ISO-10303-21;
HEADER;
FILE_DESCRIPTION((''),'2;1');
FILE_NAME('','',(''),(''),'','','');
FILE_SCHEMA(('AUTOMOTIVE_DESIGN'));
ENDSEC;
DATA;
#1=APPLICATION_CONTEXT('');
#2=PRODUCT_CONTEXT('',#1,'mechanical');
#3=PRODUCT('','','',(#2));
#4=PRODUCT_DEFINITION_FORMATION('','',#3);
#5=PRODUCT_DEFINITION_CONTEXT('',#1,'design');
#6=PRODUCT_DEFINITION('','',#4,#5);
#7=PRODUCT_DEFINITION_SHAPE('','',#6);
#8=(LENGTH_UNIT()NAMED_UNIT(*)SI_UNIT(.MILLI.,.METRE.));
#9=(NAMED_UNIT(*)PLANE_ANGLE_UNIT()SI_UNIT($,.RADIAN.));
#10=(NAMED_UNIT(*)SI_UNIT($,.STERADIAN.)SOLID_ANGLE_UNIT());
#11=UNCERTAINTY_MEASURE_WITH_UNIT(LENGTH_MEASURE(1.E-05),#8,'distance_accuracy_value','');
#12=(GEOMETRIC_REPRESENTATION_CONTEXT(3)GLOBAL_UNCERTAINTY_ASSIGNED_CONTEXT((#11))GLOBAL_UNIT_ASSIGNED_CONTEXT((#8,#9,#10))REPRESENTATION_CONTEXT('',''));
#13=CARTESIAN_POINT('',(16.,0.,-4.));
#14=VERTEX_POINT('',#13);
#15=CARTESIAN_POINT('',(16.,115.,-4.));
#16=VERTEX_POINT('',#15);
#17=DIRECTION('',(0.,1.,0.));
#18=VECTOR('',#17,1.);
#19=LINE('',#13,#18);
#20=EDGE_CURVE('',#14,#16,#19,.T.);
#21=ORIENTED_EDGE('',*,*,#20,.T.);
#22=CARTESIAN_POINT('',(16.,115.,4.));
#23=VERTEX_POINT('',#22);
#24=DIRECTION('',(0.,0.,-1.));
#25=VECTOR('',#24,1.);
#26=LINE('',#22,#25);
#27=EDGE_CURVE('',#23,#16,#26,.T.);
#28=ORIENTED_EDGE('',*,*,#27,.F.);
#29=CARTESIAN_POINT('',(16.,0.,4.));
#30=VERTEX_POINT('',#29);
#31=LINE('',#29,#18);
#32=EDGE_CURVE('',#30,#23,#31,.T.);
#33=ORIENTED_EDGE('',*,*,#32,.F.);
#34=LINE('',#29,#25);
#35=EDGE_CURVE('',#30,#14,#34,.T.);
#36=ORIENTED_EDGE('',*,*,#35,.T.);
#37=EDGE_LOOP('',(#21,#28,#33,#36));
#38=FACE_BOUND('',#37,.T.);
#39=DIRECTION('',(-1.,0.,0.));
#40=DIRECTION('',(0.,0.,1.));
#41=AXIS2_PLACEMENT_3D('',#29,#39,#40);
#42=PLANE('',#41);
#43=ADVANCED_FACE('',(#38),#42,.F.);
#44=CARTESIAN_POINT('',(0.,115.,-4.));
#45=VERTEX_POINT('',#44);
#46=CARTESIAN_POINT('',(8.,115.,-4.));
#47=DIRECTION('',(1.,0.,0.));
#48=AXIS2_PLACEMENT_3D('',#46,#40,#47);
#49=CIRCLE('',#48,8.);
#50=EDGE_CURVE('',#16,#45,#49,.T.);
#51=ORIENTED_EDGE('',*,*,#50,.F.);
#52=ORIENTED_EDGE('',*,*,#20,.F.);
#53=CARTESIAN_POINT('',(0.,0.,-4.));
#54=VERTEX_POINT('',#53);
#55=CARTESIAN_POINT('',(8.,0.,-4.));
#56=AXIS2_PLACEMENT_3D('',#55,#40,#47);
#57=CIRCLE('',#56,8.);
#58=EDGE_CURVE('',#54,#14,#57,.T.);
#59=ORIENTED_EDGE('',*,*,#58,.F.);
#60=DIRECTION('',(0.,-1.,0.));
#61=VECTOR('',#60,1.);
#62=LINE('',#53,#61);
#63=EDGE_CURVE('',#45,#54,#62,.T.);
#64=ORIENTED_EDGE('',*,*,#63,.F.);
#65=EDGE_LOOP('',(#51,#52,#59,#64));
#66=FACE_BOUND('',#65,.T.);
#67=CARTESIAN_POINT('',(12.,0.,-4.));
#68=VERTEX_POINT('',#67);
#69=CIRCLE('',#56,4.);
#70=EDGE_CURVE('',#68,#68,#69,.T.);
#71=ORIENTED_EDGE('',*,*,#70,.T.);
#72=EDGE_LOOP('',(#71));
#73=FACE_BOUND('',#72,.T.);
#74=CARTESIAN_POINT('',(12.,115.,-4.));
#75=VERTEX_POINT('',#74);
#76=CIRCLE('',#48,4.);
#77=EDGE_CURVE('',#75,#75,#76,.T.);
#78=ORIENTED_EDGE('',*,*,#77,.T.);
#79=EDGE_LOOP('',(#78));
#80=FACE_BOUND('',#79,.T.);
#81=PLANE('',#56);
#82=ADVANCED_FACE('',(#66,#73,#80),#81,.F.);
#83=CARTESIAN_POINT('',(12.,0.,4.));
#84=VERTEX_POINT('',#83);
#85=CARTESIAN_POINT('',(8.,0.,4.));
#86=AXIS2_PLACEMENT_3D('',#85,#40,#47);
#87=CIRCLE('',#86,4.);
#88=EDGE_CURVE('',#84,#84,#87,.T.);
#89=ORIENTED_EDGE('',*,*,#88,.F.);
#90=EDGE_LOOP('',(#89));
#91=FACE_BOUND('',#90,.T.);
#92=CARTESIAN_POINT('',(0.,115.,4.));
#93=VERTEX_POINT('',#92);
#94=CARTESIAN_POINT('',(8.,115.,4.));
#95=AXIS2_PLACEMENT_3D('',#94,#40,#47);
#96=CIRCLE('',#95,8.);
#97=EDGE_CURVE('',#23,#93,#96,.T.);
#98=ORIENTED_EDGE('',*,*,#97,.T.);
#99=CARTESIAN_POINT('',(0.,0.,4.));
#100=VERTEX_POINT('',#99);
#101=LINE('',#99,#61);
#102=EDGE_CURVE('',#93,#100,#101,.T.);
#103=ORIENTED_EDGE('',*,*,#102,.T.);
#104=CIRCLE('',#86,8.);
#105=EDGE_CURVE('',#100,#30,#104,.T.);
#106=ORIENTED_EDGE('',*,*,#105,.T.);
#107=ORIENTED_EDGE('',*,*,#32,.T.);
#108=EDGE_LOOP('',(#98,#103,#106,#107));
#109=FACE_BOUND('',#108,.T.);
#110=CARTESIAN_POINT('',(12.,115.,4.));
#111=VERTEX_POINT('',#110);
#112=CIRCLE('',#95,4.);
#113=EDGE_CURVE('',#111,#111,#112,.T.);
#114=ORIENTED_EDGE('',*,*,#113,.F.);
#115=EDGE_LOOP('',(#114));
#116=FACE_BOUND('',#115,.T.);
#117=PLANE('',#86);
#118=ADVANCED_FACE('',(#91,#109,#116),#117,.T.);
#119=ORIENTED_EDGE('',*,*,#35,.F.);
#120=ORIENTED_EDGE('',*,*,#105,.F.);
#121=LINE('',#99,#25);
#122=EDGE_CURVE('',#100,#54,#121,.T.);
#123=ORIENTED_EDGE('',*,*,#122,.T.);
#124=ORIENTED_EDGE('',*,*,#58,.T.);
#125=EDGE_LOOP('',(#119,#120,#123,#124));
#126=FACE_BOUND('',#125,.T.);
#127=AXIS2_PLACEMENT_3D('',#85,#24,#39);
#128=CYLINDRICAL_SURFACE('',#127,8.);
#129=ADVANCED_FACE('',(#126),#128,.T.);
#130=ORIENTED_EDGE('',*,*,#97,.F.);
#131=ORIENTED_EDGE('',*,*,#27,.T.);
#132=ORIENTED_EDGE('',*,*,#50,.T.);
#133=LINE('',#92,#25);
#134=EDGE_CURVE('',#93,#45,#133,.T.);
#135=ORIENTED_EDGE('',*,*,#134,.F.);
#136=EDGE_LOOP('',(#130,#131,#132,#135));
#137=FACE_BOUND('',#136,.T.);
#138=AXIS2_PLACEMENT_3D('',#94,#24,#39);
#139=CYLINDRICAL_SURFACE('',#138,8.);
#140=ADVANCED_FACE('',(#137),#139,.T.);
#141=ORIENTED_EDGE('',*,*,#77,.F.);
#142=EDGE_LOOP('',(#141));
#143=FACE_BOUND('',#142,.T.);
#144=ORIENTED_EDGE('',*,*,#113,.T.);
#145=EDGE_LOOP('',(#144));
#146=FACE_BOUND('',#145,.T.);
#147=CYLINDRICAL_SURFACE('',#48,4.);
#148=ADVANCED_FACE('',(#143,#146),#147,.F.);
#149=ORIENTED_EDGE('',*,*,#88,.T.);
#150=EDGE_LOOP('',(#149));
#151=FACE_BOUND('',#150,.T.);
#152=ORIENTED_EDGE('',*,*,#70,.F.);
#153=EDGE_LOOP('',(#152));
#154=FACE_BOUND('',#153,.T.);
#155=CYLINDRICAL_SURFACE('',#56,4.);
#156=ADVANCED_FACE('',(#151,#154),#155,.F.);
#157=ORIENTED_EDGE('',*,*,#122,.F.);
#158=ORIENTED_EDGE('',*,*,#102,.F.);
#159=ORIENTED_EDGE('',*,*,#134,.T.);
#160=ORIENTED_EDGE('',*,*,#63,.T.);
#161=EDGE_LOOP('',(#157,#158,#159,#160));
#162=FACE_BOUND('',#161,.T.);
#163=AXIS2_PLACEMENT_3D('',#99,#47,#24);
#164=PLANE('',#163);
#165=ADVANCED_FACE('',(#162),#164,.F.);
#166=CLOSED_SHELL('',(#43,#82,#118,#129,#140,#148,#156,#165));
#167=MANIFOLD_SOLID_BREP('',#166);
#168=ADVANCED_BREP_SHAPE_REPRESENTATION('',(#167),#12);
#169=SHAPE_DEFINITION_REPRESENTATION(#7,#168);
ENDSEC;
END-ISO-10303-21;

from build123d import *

# Parameters (mm, degrees)
BOSS_EXTRUDE1_DEPTH = 4
SKETCH2_R           = 4
CUT_EXTRUDE1_DEPTH  = 9


with BuildPart() as part:
    # Sketch1 → Boss-Extrude1 (new body, symmetric)
    with BuildSketch(Plane.XY):
        with BuildLine():
            Line((0, 0), (0, 115))
            ThreePointArc((0, 115), (8, 123), (16, 115))
            Line((16, 115), (16, 0))
            ThreePointArc((16, 0), (8, -8), (0, 0))
        make_face()
    extrude(amount=BOSS_EXTRUDE1_DEPTH, both=True)

    # Sketch2 → Cut-Extrude1 (cut, through all)
    with BuildSketch(Plane.XY.offset(4)):
        with Locations((8, 115)):
            Circle(SKETCH2_R)
        with Locations((8, 0)):
            Circle(SKETCH2_R)
    extrude(amount=-CUT_EXTRUDE1_DEPTH, mode=Mode.SUBTRACT)


solid = part.part
